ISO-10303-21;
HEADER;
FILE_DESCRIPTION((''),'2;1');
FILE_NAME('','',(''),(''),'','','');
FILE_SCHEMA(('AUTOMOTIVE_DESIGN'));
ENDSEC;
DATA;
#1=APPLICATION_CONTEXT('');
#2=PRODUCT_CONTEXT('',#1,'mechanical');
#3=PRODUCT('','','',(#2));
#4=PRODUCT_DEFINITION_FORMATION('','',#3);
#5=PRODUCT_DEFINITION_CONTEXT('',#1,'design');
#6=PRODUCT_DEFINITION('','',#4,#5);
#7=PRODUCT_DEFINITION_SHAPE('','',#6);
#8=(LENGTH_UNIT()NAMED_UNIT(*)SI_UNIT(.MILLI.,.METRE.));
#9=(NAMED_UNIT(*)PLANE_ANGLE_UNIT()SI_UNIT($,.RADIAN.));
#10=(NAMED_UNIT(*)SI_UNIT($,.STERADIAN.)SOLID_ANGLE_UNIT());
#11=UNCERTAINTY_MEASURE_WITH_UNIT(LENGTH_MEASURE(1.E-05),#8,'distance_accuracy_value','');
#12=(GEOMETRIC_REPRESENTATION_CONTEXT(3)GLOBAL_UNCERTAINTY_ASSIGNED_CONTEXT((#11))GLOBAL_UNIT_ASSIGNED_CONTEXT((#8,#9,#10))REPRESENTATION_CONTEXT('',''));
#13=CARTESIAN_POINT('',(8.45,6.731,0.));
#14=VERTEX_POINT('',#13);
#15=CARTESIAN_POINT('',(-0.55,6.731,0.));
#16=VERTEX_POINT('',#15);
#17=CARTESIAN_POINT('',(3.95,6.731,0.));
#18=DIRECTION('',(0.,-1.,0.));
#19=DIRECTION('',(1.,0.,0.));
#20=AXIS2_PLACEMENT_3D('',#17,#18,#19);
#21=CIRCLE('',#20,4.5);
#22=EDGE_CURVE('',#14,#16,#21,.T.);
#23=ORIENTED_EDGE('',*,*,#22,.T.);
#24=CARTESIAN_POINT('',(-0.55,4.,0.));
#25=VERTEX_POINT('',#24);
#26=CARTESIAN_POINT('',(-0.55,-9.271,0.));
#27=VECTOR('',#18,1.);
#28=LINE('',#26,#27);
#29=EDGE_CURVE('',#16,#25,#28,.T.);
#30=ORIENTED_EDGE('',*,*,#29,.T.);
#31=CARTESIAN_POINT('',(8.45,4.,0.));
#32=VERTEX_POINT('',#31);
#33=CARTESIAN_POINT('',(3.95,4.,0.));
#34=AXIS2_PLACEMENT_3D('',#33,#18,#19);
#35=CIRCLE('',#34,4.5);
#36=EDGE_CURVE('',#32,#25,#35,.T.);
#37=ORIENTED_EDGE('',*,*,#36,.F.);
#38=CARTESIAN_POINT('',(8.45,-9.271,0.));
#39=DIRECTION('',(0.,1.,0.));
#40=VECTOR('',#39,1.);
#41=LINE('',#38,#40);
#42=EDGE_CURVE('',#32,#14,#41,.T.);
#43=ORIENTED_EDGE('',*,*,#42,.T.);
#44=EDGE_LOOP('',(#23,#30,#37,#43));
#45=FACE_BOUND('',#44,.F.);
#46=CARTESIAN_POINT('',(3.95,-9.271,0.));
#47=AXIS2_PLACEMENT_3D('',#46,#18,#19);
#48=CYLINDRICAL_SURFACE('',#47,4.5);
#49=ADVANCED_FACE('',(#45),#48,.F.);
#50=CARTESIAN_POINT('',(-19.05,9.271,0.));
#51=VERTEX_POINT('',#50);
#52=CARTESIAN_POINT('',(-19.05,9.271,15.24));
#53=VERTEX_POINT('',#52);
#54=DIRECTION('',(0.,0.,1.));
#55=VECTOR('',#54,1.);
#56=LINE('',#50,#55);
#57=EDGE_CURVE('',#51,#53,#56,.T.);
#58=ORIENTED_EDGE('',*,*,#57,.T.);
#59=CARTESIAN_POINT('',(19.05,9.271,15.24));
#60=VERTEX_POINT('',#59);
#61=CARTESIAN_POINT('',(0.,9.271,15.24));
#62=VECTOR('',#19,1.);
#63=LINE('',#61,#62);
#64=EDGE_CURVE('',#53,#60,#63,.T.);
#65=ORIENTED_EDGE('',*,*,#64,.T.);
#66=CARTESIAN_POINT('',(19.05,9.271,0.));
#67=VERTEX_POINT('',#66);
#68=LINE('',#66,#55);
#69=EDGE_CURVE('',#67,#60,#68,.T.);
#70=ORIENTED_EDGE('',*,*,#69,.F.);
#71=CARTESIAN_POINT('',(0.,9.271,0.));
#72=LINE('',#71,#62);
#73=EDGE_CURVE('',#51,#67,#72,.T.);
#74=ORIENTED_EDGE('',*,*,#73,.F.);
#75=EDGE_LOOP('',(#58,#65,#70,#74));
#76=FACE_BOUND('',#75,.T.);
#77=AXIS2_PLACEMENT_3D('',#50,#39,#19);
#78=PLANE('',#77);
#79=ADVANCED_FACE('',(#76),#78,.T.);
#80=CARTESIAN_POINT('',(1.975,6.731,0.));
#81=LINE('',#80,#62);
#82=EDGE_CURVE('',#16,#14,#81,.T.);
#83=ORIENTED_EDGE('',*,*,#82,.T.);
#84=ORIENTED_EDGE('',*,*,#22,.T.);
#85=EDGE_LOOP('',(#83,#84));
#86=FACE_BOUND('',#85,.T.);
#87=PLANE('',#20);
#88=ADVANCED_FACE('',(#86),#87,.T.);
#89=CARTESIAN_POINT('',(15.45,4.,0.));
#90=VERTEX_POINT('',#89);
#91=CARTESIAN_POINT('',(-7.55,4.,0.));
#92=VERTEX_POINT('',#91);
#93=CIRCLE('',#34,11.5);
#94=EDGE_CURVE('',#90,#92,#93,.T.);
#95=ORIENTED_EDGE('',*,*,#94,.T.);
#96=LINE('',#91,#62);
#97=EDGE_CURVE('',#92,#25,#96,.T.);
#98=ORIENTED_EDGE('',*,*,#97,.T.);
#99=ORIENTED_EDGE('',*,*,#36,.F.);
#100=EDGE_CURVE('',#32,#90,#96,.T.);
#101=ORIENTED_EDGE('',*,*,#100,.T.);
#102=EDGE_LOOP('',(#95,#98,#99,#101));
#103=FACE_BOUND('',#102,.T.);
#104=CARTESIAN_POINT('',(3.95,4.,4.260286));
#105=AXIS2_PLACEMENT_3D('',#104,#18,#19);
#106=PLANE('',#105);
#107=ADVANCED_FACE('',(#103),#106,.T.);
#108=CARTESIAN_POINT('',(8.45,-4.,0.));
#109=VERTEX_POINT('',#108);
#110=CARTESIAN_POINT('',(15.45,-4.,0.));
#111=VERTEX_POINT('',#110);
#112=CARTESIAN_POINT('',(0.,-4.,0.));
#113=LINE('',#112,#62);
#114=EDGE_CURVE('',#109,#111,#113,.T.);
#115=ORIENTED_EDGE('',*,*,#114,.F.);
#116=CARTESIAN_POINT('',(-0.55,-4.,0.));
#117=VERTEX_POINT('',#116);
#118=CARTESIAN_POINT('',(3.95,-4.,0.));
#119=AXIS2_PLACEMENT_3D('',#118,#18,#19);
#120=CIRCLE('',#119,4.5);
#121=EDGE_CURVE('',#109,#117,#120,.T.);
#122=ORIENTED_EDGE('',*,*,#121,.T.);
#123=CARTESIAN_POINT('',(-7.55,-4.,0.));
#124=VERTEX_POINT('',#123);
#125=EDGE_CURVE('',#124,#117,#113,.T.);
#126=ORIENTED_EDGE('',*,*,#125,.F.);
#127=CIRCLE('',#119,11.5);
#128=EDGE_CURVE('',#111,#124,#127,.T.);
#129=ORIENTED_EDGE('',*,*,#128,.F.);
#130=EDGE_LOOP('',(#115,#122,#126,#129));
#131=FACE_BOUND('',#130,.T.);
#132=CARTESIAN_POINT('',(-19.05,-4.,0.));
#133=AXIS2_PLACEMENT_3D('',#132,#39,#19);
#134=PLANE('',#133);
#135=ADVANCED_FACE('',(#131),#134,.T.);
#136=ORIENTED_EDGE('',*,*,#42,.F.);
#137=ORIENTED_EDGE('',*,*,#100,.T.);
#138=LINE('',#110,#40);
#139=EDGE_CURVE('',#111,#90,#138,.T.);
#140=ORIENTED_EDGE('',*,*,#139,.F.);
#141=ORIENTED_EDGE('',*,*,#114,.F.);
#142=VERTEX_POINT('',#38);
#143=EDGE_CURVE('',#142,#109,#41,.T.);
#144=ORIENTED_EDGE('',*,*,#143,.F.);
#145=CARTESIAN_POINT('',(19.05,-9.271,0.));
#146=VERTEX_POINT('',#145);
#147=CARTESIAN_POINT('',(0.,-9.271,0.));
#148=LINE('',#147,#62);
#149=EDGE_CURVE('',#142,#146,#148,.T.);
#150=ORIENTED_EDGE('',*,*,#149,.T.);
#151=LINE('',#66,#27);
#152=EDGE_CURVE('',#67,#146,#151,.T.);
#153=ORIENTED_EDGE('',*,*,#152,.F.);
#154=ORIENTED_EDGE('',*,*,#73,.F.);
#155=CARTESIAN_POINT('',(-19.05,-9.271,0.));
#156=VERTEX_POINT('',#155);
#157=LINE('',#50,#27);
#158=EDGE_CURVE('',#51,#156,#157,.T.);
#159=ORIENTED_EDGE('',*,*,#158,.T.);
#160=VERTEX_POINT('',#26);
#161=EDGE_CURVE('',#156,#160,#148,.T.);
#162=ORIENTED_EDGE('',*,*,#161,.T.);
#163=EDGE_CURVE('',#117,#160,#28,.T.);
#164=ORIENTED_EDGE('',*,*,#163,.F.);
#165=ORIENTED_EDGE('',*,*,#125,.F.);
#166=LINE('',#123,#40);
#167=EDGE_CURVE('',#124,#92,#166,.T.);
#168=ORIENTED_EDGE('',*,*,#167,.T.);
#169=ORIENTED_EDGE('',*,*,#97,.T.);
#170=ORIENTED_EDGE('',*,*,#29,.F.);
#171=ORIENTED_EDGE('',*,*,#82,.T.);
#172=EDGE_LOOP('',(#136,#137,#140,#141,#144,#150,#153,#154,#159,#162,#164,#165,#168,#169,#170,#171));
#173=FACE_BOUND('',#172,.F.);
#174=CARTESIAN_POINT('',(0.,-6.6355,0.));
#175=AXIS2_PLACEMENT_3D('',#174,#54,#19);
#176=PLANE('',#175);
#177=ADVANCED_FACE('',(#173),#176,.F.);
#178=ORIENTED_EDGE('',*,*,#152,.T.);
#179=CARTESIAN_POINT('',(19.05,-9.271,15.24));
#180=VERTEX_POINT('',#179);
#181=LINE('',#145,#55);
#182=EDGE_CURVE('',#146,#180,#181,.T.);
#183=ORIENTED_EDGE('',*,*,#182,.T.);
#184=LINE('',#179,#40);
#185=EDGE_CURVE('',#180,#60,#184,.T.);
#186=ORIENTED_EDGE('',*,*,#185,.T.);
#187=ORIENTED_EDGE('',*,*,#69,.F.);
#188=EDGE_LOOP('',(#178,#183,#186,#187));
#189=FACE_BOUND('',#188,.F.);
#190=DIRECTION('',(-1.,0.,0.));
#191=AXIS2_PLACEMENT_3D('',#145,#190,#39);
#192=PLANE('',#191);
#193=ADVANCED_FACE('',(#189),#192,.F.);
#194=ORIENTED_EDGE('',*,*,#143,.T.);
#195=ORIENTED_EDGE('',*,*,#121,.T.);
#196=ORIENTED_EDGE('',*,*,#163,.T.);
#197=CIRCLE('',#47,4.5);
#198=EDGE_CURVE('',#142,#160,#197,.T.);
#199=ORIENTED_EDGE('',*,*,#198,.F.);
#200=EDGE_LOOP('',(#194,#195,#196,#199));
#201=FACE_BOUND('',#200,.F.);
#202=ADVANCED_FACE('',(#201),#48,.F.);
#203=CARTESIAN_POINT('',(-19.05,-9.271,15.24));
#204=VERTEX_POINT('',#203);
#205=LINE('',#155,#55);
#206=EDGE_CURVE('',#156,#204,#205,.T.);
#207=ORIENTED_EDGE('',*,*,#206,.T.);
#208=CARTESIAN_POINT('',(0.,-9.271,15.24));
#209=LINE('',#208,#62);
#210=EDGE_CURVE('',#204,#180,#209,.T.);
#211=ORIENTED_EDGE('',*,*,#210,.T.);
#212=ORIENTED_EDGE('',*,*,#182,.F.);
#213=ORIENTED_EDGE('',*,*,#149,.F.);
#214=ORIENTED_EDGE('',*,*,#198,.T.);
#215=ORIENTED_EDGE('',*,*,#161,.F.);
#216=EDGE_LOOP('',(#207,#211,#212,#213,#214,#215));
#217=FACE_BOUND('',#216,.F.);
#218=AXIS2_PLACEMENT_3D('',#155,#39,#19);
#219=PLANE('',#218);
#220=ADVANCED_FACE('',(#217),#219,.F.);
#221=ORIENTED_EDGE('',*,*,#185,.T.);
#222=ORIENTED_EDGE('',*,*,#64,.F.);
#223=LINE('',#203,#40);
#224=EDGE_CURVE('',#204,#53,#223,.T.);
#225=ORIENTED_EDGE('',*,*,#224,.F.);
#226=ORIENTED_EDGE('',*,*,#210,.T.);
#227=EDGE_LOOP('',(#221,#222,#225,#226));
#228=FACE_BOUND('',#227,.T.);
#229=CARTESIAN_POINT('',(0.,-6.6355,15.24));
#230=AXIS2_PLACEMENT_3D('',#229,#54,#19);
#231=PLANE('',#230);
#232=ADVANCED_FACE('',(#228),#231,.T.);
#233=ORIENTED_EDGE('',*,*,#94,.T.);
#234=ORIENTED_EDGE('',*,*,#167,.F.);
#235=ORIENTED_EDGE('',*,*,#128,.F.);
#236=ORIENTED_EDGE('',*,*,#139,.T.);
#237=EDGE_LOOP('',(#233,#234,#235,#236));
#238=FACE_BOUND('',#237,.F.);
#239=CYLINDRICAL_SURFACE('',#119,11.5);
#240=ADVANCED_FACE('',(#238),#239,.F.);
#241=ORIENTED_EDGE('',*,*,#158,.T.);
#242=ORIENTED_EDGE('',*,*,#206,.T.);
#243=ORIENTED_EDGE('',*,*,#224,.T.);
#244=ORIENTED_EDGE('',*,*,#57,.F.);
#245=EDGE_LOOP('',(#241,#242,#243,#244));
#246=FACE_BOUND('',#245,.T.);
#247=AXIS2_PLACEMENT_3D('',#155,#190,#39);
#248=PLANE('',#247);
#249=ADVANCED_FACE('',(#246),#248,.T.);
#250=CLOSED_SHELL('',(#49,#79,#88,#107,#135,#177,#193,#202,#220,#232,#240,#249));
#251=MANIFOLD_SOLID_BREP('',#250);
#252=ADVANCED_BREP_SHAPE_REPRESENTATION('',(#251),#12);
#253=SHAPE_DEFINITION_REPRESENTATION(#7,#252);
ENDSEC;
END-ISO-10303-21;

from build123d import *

# Parameters (mm, degrees)
F0_W     = 38.1
F0_H     = 13.271
F1_DEPTH = 15.24
F3_DEPTH = 8
F0_H_2   = 5.271
F4_DEPTH = 15.24
F5_R     = 4.5
F6_DEPTH = 16.002


with BuildPart() as f1:
    # F0 (on Top) → F1 (new body)
    with BuildSketch(Plane.XY):
        with Locations((0, 2.6355)):
            Rectangle(F0_W, F0_H)
    extrude(amount=F1_DEPTH)

    # F2 (on face) → F3 (cut)
    with BuildSketch(Plane.XZ.offset(4)):
        with BuildLine():
            Line((8.45, 0), (15.45, 0))
            ThreePointArc((15.45, 0), (3.95, 11.5), (-7.55, 0))
            Line((-7.55, 0), (-0.55, 0))
            ThreePointArc((-0.55, 0), (3.95, 4.5), (8.45, 0))
        make_face()
        with BuildLine():
            Line((-0.55, 0), (8.45, 0))
            ThreePointArc((8.45, 0), (3.95, 4.5), (-0.55, 0))
        make_face()
    extrude(amount=-F3_DEPTH, mode=Mode.SUBTRACT)

    # F0 (on Top) → F4 (join)
    with BuildSketch(Plane.XY):
        with Locations((0, -6.6355)):
            Rectangle(F0_W, F0_H_2)
    extrude(amount=F4_DEPTH)

    # F5 (on face) → F6 (cut)
    with BuildSketch(Plane.XZ.offset(9.271)):
        with Locations((3.95, 0)):
            Circle(F5_R)
    extrude(amount=-F6_DEPTH, mode=Mode.SUBTRACT)


solid = f1.part
